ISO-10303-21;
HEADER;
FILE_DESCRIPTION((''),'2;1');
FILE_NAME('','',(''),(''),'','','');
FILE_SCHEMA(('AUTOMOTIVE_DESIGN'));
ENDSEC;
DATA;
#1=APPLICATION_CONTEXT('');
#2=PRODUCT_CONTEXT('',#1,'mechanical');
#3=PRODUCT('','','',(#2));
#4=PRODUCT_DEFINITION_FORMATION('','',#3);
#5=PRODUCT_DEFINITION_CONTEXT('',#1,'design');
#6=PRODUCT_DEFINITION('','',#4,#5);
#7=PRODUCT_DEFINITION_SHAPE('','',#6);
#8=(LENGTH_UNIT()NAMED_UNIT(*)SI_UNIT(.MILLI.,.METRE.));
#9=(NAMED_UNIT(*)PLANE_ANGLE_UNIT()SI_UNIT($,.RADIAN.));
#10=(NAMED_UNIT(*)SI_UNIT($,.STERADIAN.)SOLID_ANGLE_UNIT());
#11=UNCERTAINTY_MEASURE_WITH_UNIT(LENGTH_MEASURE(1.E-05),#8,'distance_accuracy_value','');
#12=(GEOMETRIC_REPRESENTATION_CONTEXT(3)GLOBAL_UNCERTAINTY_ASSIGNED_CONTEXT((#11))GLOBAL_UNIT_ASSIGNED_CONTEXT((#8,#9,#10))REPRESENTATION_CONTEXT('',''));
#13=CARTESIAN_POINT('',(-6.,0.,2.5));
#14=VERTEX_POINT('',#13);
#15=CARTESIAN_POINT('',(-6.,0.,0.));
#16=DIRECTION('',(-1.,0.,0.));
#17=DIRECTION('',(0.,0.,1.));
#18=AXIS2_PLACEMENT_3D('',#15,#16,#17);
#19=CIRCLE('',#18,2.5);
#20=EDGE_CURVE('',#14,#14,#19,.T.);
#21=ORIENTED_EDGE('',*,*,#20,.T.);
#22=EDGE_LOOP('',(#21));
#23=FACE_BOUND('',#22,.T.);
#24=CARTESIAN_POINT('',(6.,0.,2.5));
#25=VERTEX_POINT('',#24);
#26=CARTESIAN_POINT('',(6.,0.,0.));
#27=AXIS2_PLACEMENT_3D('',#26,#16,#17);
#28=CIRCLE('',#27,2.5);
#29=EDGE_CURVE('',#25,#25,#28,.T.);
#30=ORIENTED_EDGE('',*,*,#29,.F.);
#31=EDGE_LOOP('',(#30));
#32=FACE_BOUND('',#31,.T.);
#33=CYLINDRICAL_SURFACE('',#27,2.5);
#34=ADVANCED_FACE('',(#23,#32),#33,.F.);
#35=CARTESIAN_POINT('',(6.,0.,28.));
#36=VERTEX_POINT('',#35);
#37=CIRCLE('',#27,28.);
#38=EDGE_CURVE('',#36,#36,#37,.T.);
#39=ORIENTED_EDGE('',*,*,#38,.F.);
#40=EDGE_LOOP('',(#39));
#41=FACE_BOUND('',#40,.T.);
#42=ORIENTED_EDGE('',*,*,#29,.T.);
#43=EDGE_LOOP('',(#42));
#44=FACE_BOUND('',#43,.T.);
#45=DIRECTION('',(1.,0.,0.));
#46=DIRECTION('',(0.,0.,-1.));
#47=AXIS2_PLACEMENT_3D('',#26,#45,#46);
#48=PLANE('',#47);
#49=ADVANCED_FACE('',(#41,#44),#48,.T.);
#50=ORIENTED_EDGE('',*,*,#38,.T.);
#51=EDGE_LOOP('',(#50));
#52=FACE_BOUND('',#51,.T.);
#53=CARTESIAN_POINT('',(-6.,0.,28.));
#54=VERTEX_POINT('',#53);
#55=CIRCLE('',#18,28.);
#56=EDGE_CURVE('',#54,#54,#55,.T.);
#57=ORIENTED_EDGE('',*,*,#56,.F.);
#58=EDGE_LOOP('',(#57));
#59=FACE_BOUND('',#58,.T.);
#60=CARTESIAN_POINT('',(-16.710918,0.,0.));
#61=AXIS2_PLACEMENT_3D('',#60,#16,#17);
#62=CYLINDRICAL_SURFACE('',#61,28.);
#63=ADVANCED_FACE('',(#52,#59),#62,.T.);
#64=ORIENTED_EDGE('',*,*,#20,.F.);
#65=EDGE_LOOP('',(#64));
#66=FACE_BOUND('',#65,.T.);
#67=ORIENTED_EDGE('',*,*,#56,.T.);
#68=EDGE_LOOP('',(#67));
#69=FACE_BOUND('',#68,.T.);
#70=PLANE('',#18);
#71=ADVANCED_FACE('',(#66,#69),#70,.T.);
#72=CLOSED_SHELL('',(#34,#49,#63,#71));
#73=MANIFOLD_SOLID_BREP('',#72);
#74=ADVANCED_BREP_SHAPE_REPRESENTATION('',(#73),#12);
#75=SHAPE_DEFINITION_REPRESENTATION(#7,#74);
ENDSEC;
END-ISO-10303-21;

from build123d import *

# Parameters (mm, degrees)
SKETCH_1_W          = 12
SKETCH_1_H          = 28
SKETCH_2_R          = 2.5
CUT_EXTRUDE_1_DEPTH = 42.376321731


with BuildPart() as part:
    # 草图1 → 旋转1 (revolve)
    with BuildSketch(Plane.XY, mode=Mode.PRIVATE) as revolve_1_sk:
        with Locations((0, -14)):
            Rectangle(SKETCH_1_W, SKETCH_1_H)
    revolve(revolve_1_sk.sketch.rotate(Axis((-16.710917891, 0, 0), (1, 0, 0)), 270), axis=Axis((-16.710917891, 0, 0), (1, 0, 0)))

    # 草图2 → 切除-拉伸1 (cut, through all)
    with BuildSketch(Plane.ZY.offset(6)):
        Circle(SKETCH_2_R)
    extrude(amount=-CUT_EXTRUDE_1_DEPTH, mode=Mode.SUBTRACT)


solid = part.part
